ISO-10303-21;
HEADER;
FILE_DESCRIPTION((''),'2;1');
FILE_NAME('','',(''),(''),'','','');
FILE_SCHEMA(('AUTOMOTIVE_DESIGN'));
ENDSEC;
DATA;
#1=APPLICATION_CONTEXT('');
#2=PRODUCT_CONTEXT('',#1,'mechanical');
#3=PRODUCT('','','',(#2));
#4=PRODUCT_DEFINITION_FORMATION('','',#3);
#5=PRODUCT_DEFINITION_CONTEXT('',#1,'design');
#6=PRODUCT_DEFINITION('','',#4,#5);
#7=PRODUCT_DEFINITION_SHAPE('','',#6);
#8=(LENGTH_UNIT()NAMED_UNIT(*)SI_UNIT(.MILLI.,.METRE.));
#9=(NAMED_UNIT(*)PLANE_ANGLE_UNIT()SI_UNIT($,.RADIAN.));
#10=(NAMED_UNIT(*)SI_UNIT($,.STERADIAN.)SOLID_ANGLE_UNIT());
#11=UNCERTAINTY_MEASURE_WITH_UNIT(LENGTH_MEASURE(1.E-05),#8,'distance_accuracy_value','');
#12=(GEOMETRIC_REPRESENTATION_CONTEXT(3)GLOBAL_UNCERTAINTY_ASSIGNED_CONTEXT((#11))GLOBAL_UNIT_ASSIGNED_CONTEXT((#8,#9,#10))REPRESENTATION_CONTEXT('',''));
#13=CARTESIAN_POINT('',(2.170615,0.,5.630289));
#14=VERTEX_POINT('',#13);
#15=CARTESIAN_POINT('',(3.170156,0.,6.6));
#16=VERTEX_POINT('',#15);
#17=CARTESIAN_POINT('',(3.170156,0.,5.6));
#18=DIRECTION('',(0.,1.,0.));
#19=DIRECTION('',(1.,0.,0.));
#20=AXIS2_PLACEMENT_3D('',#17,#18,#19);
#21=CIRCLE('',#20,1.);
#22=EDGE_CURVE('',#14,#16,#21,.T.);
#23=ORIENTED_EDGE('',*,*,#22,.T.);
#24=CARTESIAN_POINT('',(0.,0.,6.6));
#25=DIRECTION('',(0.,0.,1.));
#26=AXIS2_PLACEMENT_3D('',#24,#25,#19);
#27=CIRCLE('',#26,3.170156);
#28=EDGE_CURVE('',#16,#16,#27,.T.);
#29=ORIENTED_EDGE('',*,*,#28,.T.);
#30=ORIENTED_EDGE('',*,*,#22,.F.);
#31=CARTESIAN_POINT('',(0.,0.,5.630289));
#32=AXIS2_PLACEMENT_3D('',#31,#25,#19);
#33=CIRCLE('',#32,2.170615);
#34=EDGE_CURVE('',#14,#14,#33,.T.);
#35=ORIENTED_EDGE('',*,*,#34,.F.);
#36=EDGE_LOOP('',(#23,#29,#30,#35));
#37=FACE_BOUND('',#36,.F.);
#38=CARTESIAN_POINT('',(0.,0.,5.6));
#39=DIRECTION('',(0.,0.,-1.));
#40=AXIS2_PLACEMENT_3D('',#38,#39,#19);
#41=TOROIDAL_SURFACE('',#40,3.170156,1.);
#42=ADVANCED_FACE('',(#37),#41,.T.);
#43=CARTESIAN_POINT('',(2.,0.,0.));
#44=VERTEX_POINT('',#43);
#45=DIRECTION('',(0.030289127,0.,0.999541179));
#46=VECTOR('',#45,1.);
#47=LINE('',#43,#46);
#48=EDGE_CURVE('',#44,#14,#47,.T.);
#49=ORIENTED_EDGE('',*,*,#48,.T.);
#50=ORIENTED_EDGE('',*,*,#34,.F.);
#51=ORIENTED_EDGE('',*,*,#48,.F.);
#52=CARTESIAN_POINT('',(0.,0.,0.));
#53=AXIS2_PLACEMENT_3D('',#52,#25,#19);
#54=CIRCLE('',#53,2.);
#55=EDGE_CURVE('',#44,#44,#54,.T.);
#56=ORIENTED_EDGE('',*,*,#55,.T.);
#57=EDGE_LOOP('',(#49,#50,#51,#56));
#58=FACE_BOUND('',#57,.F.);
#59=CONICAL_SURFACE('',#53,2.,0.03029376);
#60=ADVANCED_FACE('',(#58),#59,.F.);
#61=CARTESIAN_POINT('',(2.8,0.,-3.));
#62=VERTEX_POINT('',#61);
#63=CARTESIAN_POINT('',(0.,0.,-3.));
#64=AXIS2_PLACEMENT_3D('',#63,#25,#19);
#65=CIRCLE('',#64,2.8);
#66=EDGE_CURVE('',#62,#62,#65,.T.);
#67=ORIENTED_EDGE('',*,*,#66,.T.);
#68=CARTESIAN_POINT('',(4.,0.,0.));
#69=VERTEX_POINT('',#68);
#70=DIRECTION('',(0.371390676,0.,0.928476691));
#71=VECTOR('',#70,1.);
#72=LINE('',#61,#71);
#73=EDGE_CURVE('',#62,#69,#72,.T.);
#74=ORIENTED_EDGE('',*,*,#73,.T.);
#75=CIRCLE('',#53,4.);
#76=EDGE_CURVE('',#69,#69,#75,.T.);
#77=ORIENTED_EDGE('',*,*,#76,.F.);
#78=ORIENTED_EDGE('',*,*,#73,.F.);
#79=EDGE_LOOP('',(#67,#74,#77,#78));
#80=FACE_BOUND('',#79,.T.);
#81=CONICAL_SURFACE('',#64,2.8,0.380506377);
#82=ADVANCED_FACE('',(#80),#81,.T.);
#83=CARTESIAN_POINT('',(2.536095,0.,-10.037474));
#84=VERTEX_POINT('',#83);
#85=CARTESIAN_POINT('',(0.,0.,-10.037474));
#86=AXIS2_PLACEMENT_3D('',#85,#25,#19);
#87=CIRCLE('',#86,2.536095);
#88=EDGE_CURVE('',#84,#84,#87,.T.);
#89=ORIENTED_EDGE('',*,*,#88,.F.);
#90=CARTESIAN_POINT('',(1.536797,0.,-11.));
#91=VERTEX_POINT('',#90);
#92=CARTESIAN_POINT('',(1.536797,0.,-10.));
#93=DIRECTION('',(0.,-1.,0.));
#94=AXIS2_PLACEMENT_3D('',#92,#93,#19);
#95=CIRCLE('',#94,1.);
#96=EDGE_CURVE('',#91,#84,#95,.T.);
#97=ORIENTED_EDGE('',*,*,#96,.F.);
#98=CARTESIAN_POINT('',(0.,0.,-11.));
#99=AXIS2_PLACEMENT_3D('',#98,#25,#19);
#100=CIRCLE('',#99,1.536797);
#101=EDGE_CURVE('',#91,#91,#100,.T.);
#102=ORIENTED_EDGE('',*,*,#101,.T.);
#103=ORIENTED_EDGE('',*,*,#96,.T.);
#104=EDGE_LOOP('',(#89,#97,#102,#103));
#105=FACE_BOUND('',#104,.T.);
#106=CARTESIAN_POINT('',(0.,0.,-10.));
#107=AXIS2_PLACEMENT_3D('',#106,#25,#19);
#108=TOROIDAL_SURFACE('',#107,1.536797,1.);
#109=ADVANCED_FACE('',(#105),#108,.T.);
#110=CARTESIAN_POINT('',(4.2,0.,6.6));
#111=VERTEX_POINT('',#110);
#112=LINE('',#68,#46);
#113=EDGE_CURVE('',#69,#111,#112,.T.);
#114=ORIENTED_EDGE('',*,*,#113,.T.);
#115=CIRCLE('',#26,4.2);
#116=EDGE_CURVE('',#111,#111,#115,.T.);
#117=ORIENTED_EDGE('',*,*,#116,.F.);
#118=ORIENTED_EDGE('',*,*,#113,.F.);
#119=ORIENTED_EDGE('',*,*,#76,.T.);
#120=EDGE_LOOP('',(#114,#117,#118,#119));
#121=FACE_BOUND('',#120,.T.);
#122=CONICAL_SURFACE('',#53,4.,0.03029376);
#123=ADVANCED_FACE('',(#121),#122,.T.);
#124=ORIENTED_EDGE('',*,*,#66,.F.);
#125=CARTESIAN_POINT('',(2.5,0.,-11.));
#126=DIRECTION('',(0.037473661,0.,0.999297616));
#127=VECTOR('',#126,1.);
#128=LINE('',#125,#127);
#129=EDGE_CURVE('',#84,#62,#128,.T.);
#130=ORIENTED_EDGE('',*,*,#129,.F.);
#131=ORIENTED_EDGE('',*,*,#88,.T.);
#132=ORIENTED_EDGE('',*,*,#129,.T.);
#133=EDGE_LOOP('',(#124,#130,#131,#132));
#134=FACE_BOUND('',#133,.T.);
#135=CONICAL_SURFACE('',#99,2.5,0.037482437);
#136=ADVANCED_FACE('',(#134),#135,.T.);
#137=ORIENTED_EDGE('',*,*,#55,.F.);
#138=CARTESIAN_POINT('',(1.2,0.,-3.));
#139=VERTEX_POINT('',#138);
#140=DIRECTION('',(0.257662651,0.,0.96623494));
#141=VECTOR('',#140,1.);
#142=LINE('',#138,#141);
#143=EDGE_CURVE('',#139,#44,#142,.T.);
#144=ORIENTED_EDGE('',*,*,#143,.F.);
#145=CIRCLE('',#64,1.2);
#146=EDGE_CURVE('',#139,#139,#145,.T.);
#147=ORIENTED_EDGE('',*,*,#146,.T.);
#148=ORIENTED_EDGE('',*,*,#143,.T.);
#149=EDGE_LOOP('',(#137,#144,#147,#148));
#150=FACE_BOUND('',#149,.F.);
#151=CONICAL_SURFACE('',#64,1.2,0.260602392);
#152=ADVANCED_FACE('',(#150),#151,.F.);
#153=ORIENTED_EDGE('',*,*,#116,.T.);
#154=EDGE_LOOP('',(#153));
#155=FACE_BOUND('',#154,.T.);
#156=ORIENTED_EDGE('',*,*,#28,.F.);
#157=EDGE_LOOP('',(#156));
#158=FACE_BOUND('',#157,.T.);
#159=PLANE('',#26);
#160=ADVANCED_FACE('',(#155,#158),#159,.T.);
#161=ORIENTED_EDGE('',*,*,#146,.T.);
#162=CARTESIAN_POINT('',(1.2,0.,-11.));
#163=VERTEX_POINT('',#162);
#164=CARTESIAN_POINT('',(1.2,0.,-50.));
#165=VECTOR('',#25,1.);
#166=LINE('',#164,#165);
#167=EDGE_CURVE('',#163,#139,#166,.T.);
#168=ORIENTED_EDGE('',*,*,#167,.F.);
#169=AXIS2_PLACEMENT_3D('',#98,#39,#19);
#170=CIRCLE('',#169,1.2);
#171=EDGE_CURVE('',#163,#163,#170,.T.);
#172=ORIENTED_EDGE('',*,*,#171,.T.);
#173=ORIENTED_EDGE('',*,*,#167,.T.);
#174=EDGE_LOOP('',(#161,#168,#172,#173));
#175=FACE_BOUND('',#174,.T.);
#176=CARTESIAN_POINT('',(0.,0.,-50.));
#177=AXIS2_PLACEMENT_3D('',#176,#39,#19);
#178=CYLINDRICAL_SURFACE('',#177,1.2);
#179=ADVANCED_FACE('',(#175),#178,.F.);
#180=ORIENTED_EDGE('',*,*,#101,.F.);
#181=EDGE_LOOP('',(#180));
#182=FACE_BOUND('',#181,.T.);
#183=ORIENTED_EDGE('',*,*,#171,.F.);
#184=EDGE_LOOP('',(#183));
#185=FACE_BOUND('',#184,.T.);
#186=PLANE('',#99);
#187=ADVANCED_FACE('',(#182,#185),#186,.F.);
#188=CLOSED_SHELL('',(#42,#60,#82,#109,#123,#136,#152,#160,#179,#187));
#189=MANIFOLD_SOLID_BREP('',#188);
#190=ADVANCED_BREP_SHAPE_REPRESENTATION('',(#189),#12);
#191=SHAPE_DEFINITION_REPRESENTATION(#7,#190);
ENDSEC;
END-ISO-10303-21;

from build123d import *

# Parameters (mm, degrees)
CYLINDER117_R     = 1.2
CYLINDER117_DEPTH = 100
FILLET009_R       = 1
FILLET010_R       = 1


with BuildPart() as pipetter_hole001:
    # Cylinder117 → Cylinder117 (new body)
    with BuildSketch(Plane.XY.offset(-50)):
        Circle(CYLINDER117_R)
    extrude(amount=CYLINDER117_DEPTH)


with BuildPart() as pipetter_to_tip_hole001:
    # Cone009 → Cone009 (revolve)
    with BuildSketch(Plane(origin=(0, 0, -3), x_dir=(1, 0, 0), z_dir=(0, -1, 0))):
        Polygon((0, 0), (1.2, 0), (2, 3), (0, 3), align=None)
    revolve(axis=Axis((0, 0, -3), (0, 0, 1)))


with BuildPart() as syringe_tip_hole_fusion001:
    # Cone005 → Cone005 (revolve)
    with BuildSketch(Plane.XZ):
        Polygon((0, 0), (2, 0), (2.2, 6.6), (0, 6.6), align=None)
    revolve(axis=Axis((0, 0, 0), (0, 0, 1)))

    # Fusion019: union pipetter hole001, pipetter to tip hole001
    add(pipetter_hole001.part)
    add(pipetter_to_tip_hole001.part)


with BuildPart() as pipetter_to_tip_cone001:
    # Cone008 → Cone008 (revolve)
    with BuildSketch(Plane(origin=(0, 0, -3), x_dir=(1, 0, 0), z_dir=(0, -1, 0))):
        Polygon((0, 0), (2.8, 0), (4, 3), (0, 3), align=None)
    revolve(axis=Axis((0, 0, -3), (0, 0, 1)))


with BuildPart() as pipetter_external_cone_fillet001:
    # Cone007 → Cone007 (revolve)
    with BuildSketch(Plane(origin=(0, 0, -11), x_dir=(1, 0, 0), z_dir=(0, -1, 0))):
        Polygon((0, 0), (2.5, 0), (2.8, 8), (0, 8), align=None)
    revolve(axis=Axis((0, 0, -11), (0, 0, 1)))

    # Fillet009
    fillet009_edges = [pipetter_external_cone_fillet001.edges().sort_by_distance(p)[0] for p in [
        (-2.5, 0, -11),
    ]]
    fillet(fillet009_edges, radius=FILLET009_R)


with BuildPart() as syringe_tip_cut_fillet001:
    # Cone006 → Cone006 (revolve)
    with BuildSketch(Plane.XZ):
        Polygon((0, 0), (4, 0), (4.2, 6.6), (0, 6.6), align=None)
    revolve(axis=Axis((0, 0, 0), (0, 0, 1)))

    # Fusion018: union pipetter to tip cone001, pipetter external cone fillet001
    add(pipetter_to_tip_cone001.part)
    add(pipetter_external_cone_fillet001.part)

    # Cut013: cut syringe tip hole fusion001
    add(syringe_tip_hole_fusion001.part, mode=Mode.SUBTRACT)

    # Fillet010
    fillet010_edges = [syringe_tip_cut_fillet001.edges().sort_by_distance(p)[0] for p in [
        (-2.2, 0, 6.6),
    ]]
    fillet(fillet010_edges, radius=FILLET010_R)


solid = syringe_tip_cut_fillet001.part
